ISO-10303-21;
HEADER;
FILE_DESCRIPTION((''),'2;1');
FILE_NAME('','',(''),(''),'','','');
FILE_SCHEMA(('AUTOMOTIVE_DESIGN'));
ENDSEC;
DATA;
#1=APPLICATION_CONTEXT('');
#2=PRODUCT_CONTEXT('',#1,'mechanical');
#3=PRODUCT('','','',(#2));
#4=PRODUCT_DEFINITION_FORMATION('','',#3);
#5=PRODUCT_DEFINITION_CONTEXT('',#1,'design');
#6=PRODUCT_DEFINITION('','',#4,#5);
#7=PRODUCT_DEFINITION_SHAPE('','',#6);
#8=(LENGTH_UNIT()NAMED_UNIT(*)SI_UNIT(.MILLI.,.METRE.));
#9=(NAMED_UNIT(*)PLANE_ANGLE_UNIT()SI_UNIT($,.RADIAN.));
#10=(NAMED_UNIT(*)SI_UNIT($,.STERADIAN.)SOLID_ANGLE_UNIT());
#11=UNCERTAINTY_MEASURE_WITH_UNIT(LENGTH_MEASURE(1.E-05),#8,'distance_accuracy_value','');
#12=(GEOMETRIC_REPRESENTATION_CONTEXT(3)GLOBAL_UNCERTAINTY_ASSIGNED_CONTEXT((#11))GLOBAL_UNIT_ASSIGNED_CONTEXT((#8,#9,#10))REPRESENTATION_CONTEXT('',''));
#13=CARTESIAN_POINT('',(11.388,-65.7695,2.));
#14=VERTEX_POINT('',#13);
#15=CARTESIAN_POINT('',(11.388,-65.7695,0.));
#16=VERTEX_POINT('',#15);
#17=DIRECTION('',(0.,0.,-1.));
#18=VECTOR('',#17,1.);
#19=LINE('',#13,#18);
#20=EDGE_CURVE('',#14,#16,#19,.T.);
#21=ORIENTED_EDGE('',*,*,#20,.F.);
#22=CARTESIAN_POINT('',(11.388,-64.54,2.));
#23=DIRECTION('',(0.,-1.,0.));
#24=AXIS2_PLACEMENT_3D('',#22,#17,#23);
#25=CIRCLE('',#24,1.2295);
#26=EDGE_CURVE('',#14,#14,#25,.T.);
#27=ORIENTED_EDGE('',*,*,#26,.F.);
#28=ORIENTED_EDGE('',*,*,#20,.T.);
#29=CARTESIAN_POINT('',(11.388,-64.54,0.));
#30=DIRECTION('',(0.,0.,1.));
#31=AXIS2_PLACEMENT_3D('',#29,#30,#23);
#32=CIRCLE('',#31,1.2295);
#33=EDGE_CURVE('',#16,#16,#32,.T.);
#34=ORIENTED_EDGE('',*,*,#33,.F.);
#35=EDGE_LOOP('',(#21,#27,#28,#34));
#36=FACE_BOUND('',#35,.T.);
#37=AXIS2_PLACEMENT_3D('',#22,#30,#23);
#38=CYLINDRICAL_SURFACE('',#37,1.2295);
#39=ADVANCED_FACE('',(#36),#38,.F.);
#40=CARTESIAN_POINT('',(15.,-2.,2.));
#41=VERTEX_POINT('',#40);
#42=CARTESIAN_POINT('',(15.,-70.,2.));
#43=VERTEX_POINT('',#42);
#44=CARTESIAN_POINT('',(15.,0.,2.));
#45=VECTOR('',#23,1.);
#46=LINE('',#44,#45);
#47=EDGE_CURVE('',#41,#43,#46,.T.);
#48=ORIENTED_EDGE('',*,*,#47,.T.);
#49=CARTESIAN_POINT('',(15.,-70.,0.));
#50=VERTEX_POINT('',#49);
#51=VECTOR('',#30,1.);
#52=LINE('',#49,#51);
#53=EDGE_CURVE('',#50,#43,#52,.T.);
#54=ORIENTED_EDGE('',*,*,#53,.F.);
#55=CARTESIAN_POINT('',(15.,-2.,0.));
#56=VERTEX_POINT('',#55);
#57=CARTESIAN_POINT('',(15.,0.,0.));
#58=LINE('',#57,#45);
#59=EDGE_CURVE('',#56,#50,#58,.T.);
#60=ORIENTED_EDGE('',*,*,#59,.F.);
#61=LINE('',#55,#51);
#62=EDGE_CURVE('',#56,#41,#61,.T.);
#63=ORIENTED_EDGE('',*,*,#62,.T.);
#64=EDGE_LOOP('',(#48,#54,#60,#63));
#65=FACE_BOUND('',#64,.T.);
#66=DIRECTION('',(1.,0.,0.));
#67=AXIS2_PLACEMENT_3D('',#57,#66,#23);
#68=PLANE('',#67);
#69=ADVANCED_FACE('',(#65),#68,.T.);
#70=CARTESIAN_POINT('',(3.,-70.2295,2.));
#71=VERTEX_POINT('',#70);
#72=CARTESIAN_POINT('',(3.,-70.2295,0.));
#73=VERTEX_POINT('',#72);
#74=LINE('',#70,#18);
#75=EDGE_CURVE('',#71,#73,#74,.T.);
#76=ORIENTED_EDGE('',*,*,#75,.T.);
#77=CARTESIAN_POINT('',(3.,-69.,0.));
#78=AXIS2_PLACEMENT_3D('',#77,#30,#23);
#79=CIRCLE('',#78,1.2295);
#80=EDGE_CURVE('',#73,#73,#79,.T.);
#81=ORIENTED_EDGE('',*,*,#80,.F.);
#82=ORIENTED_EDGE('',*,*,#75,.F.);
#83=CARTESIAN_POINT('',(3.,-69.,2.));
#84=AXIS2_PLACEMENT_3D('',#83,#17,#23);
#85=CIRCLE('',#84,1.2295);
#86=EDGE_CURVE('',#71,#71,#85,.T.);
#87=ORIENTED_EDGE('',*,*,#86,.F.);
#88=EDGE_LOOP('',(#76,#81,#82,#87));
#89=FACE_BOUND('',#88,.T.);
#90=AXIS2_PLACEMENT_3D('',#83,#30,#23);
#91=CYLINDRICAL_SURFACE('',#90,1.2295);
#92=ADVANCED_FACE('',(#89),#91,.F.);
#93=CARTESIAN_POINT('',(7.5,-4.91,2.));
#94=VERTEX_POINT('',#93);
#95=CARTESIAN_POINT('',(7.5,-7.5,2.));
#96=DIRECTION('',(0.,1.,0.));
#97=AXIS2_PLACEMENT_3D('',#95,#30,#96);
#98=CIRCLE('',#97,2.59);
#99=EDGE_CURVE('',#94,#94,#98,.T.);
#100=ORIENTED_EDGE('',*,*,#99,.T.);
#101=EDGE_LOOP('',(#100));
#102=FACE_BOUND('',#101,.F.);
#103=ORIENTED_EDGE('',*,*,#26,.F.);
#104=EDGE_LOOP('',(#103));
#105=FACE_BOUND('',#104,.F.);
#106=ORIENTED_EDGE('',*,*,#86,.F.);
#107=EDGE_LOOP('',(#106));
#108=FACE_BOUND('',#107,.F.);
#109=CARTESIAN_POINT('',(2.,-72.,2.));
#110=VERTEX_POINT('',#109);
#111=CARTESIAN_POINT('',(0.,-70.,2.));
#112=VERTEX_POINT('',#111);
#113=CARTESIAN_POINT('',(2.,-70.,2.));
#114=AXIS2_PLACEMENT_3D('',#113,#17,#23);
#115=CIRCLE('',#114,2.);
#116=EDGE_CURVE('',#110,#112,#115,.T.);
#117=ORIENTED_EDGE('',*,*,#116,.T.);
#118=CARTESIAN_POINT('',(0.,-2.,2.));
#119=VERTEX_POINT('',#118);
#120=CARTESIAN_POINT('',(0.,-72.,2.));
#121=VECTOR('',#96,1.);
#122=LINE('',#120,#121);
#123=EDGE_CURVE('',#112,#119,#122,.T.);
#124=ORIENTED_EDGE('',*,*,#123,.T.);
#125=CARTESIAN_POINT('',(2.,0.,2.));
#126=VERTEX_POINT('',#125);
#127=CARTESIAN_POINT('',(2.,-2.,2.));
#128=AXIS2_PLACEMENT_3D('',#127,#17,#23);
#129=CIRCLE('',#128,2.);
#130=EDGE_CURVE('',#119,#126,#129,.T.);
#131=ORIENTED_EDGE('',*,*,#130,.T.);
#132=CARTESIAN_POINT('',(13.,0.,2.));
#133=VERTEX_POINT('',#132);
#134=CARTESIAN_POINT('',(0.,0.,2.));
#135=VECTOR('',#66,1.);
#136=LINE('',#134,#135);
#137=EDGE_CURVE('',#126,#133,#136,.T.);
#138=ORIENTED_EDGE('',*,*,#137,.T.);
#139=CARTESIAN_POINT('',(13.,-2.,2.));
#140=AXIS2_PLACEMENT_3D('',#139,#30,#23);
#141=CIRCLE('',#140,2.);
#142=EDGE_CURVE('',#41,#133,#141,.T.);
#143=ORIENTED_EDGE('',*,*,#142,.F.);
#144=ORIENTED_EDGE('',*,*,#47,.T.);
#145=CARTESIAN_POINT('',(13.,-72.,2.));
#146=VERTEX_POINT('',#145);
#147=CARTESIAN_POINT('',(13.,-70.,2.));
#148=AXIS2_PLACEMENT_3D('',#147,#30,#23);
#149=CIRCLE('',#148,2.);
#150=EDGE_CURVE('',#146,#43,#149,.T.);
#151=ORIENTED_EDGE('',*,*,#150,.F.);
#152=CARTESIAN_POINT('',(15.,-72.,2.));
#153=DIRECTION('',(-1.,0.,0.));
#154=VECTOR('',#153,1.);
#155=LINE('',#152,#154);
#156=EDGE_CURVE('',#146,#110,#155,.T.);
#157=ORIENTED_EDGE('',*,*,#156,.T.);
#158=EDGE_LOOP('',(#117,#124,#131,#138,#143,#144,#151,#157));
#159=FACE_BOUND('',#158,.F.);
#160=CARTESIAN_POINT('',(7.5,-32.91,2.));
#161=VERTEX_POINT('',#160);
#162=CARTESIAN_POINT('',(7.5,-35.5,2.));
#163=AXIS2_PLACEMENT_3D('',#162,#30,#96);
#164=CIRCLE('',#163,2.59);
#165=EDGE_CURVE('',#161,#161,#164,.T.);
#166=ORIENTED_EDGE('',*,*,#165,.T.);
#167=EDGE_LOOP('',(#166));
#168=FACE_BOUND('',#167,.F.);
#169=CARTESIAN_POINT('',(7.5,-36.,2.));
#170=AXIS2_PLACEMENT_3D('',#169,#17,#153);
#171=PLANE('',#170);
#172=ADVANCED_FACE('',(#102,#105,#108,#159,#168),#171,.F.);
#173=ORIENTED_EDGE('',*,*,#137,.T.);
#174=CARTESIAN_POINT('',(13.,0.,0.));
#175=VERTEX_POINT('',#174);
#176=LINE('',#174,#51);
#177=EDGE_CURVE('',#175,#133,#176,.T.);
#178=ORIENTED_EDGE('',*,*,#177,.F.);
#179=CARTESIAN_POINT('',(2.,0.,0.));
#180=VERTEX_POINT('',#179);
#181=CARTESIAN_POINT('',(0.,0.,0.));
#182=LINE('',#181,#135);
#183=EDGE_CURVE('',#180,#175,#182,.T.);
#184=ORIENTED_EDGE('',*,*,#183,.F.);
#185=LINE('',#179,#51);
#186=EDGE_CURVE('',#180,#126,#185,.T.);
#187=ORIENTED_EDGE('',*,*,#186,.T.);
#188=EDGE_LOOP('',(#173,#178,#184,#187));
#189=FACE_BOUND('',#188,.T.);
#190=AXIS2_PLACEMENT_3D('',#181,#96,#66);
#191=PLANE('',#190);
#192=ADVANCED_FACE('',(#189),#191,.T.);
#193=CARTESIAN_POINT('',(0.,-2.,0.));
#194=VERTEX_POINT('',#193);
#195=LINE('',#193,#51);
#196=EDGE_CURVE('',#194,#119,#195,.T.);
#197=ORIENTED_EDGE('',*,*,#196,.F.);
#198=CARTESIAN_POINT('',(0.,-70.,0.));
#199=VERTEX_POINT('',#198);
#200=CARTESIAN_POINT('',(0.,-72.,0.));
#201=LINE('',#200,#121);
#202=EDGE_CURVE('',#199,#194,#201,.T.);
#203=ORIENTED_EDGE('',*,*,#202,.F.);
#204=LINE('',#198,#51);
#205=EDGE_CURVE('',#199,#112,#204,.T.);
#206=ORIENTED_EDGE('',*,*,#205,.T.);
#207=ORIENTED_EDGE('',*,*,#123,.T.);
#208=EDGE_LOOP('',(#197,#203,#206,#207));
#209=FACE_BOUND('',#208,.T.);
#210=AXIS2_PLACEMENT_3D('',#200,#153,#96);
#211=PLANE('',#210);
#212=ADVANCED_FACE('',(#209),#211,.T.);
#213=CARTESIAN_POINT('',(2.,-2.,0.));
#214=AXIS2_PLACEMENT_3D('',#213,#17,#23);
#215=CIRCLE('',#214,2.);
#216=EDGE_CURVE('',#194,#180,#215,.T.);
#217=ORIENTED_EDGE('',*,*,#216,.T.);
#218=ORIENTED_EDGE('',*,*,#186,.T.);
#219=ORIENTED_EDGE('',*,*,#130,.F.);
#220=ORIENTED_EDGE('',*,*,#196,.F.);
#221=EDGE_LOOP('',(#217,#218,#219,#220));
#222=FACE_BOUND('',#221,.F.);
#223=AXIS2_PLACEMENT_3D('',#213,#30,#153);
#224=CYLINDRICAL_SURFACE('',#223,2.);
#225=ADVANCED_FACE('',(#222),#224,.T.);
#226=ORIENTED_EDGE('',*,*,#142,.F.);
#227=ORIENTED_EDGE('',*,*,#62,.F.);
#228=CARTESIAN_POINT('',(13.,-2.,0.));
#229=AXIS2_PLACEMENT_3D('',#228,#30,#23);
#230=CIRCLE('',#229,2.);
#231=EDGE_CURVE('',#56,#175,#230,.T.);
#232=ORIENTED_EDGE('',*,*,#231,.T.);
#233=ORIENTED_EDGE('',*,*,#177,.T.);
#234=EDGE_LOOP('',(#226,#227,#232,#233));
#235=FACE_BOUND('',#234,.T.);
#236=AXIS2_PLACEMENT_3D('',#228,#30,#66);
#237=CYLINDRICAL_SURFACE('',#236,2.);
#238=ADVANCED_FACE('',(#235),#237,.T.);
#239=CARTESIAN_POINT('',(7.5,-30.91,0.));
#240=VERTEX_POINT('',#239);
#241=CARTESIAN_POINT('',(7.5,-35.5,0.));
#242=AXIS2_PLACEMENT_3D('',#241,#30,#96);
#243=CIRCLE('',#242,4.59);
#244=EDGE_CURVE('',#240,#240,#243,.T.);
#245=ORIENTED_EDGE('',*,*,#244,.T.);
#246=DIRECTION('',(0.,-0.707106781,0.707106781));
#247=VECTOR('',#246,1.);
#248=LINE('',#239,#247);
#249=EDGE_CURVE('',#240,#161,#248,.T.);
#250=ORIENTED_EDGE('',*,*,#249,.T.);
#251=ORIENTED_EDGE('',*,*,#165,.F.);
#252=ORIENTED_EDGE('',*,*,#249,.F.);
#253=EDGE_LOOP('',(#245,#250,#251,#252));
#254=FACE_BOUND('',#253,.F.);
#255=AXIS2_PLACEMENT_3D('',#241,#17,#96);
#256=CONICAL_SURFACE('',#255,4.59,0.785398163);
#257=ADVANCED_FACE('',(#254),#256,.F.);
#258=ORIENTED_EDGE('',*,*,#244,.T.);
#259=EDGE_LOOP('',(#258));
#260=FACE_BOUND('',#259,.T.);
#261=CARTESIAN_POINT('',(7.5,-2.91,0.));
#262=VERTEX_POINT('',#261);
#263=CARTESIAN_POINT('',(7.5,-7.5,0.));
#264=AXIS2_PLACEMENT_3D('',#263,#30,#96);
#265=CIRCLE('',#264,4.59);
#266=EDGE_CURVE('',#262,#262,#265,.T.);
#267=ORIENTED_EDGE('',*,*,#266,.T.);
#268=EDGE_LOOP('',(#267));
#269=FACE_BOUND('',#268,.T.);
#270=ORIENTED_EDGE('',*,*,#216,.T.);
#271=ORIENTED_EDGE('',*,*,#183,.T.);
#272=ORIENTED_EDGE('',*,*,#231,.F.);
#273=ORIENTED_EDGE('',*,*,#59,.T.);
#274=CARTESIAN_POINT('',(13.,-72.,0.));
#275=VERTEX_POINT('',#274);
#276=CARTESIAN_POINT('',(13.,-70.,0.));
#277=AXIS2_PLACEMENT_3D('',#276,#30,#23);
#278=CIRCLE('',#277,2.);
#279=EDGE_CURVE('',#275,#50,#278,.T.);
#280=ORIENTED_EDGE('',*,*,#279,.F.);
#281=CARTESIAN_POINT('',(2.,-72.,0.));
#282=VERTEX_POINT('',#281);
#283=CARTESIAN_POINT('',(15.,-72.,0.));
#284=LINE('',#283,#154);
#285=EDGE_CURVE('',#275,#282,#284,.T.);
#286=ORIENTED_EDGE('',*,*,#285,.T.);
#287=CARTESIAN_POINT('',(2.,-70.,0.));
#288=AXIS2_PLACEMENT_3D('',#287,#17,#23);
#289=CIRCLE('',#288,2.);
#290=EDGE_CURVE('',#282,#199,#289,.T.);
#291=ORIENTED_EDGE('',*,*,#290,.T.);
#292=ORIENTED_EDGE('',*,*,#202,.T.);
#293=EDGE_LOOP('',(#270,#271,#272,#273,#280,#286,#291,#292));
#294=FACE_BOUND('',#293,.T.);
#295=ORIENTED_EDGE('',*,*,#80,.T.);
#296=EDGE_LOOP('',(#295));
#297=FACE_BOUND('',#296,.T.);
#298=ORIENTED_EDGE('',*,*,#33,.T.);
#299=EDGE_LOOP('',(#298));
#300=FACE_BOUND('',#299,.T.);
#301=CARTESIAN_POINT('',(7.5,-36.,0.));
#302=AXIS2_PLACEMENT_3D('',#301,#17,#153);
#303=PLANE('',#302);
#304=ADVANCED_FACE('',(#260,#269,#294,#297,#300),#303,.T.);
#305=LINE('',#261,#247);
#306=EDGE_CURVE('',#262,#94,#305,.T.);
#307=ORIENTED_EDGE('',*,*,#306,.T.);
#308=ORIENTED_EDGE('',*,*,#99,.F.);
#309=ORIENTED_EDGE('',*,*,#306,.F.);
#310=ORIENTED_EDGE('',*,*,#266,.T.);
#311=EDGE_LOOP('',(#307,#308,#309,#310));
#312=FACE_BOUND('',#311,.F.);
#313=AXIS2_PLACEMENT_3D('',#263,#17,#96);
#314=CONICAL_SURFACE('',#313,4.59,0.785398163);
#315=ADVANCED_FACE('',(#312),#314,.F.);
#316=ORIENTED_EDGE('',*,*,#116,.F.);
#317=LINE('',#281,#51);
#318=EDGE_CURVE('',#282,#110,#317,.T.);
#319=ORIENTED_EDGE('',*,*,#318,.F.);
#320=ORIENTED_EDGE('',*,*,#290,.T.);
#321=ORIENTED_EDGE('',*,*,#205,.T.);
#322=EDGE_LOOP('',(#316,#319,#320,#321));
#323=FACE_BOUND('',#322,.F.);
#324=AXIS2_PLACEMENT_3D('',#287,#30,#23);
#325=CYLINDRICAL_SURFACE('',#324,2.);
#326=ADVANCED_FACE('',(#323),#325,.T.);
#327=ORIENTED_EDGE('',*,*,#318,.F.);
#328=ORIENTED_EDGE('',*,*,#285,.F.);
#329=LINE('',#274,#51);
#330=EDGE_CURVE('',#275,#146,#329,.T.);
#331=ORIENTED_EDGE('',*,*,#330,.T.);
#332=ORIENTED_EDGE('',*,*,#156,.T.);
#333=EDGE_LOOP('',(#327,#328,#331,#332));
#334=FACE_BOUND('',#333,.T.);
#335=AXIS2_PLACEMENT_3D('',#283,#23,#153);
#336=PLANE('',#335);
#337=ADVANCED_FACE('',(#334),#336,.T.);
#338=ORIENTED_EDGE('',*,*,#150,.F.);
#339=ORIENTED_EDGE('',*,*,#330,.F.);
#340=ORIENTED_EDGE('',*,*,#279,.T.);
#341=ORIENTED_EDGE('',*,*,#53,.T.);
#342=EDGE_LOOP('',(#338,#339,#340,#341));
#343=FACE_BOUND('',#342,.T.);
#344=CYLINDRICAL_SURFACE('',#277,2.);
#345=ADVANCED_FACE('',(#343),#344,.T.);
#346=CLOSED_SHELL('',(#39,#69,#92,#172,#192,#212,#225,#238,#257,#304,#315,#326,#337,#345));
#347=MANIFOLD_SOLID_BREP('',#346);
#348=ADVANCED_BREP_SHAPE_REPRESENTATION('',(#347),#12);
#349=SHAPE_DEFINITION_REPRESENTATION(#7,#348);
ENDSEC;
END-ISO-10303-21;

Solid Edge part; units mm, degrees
sketch "Sketch1" plane through (0, 0, 0) normal (0, 0, 1) x (1, 0, 0)
  line L0 (15, -72) -> (0, -72)
  line L1 (0, -72) -> (0, 0)
  line L2 (0, 0) -> (15, 0)
  line L3 (15, 0) -> (15, -72)
extrude "Protrusion1" add sketch "Sketch1" along normal blind 2
hole "Bohrung_1" at (3, -69, 2) direction (0, 0, -1) diameter 2.459 end through all
hole "Hole1" at (11.388, -64.54, 2) direction (0, 0, -1) diameter 2.459 end through all
fillet "Verrundung_1" radius 2 4 edges at (15, 0, 1) (0, 0, 1) (15, -72, 1) (0, -72, 1)
hole "Bohrung_5" at (7.5, -35.5, 0) direction (0, 0, 1) diameter 4.3 end through all countersink diameter 9.18 countersink angle 90
hole "Hole2" at (7.5, -7.5, 0) direction (0, 0, 1) diameter 4.3 end through all countersink diameter 9.18 countersink angle 90
